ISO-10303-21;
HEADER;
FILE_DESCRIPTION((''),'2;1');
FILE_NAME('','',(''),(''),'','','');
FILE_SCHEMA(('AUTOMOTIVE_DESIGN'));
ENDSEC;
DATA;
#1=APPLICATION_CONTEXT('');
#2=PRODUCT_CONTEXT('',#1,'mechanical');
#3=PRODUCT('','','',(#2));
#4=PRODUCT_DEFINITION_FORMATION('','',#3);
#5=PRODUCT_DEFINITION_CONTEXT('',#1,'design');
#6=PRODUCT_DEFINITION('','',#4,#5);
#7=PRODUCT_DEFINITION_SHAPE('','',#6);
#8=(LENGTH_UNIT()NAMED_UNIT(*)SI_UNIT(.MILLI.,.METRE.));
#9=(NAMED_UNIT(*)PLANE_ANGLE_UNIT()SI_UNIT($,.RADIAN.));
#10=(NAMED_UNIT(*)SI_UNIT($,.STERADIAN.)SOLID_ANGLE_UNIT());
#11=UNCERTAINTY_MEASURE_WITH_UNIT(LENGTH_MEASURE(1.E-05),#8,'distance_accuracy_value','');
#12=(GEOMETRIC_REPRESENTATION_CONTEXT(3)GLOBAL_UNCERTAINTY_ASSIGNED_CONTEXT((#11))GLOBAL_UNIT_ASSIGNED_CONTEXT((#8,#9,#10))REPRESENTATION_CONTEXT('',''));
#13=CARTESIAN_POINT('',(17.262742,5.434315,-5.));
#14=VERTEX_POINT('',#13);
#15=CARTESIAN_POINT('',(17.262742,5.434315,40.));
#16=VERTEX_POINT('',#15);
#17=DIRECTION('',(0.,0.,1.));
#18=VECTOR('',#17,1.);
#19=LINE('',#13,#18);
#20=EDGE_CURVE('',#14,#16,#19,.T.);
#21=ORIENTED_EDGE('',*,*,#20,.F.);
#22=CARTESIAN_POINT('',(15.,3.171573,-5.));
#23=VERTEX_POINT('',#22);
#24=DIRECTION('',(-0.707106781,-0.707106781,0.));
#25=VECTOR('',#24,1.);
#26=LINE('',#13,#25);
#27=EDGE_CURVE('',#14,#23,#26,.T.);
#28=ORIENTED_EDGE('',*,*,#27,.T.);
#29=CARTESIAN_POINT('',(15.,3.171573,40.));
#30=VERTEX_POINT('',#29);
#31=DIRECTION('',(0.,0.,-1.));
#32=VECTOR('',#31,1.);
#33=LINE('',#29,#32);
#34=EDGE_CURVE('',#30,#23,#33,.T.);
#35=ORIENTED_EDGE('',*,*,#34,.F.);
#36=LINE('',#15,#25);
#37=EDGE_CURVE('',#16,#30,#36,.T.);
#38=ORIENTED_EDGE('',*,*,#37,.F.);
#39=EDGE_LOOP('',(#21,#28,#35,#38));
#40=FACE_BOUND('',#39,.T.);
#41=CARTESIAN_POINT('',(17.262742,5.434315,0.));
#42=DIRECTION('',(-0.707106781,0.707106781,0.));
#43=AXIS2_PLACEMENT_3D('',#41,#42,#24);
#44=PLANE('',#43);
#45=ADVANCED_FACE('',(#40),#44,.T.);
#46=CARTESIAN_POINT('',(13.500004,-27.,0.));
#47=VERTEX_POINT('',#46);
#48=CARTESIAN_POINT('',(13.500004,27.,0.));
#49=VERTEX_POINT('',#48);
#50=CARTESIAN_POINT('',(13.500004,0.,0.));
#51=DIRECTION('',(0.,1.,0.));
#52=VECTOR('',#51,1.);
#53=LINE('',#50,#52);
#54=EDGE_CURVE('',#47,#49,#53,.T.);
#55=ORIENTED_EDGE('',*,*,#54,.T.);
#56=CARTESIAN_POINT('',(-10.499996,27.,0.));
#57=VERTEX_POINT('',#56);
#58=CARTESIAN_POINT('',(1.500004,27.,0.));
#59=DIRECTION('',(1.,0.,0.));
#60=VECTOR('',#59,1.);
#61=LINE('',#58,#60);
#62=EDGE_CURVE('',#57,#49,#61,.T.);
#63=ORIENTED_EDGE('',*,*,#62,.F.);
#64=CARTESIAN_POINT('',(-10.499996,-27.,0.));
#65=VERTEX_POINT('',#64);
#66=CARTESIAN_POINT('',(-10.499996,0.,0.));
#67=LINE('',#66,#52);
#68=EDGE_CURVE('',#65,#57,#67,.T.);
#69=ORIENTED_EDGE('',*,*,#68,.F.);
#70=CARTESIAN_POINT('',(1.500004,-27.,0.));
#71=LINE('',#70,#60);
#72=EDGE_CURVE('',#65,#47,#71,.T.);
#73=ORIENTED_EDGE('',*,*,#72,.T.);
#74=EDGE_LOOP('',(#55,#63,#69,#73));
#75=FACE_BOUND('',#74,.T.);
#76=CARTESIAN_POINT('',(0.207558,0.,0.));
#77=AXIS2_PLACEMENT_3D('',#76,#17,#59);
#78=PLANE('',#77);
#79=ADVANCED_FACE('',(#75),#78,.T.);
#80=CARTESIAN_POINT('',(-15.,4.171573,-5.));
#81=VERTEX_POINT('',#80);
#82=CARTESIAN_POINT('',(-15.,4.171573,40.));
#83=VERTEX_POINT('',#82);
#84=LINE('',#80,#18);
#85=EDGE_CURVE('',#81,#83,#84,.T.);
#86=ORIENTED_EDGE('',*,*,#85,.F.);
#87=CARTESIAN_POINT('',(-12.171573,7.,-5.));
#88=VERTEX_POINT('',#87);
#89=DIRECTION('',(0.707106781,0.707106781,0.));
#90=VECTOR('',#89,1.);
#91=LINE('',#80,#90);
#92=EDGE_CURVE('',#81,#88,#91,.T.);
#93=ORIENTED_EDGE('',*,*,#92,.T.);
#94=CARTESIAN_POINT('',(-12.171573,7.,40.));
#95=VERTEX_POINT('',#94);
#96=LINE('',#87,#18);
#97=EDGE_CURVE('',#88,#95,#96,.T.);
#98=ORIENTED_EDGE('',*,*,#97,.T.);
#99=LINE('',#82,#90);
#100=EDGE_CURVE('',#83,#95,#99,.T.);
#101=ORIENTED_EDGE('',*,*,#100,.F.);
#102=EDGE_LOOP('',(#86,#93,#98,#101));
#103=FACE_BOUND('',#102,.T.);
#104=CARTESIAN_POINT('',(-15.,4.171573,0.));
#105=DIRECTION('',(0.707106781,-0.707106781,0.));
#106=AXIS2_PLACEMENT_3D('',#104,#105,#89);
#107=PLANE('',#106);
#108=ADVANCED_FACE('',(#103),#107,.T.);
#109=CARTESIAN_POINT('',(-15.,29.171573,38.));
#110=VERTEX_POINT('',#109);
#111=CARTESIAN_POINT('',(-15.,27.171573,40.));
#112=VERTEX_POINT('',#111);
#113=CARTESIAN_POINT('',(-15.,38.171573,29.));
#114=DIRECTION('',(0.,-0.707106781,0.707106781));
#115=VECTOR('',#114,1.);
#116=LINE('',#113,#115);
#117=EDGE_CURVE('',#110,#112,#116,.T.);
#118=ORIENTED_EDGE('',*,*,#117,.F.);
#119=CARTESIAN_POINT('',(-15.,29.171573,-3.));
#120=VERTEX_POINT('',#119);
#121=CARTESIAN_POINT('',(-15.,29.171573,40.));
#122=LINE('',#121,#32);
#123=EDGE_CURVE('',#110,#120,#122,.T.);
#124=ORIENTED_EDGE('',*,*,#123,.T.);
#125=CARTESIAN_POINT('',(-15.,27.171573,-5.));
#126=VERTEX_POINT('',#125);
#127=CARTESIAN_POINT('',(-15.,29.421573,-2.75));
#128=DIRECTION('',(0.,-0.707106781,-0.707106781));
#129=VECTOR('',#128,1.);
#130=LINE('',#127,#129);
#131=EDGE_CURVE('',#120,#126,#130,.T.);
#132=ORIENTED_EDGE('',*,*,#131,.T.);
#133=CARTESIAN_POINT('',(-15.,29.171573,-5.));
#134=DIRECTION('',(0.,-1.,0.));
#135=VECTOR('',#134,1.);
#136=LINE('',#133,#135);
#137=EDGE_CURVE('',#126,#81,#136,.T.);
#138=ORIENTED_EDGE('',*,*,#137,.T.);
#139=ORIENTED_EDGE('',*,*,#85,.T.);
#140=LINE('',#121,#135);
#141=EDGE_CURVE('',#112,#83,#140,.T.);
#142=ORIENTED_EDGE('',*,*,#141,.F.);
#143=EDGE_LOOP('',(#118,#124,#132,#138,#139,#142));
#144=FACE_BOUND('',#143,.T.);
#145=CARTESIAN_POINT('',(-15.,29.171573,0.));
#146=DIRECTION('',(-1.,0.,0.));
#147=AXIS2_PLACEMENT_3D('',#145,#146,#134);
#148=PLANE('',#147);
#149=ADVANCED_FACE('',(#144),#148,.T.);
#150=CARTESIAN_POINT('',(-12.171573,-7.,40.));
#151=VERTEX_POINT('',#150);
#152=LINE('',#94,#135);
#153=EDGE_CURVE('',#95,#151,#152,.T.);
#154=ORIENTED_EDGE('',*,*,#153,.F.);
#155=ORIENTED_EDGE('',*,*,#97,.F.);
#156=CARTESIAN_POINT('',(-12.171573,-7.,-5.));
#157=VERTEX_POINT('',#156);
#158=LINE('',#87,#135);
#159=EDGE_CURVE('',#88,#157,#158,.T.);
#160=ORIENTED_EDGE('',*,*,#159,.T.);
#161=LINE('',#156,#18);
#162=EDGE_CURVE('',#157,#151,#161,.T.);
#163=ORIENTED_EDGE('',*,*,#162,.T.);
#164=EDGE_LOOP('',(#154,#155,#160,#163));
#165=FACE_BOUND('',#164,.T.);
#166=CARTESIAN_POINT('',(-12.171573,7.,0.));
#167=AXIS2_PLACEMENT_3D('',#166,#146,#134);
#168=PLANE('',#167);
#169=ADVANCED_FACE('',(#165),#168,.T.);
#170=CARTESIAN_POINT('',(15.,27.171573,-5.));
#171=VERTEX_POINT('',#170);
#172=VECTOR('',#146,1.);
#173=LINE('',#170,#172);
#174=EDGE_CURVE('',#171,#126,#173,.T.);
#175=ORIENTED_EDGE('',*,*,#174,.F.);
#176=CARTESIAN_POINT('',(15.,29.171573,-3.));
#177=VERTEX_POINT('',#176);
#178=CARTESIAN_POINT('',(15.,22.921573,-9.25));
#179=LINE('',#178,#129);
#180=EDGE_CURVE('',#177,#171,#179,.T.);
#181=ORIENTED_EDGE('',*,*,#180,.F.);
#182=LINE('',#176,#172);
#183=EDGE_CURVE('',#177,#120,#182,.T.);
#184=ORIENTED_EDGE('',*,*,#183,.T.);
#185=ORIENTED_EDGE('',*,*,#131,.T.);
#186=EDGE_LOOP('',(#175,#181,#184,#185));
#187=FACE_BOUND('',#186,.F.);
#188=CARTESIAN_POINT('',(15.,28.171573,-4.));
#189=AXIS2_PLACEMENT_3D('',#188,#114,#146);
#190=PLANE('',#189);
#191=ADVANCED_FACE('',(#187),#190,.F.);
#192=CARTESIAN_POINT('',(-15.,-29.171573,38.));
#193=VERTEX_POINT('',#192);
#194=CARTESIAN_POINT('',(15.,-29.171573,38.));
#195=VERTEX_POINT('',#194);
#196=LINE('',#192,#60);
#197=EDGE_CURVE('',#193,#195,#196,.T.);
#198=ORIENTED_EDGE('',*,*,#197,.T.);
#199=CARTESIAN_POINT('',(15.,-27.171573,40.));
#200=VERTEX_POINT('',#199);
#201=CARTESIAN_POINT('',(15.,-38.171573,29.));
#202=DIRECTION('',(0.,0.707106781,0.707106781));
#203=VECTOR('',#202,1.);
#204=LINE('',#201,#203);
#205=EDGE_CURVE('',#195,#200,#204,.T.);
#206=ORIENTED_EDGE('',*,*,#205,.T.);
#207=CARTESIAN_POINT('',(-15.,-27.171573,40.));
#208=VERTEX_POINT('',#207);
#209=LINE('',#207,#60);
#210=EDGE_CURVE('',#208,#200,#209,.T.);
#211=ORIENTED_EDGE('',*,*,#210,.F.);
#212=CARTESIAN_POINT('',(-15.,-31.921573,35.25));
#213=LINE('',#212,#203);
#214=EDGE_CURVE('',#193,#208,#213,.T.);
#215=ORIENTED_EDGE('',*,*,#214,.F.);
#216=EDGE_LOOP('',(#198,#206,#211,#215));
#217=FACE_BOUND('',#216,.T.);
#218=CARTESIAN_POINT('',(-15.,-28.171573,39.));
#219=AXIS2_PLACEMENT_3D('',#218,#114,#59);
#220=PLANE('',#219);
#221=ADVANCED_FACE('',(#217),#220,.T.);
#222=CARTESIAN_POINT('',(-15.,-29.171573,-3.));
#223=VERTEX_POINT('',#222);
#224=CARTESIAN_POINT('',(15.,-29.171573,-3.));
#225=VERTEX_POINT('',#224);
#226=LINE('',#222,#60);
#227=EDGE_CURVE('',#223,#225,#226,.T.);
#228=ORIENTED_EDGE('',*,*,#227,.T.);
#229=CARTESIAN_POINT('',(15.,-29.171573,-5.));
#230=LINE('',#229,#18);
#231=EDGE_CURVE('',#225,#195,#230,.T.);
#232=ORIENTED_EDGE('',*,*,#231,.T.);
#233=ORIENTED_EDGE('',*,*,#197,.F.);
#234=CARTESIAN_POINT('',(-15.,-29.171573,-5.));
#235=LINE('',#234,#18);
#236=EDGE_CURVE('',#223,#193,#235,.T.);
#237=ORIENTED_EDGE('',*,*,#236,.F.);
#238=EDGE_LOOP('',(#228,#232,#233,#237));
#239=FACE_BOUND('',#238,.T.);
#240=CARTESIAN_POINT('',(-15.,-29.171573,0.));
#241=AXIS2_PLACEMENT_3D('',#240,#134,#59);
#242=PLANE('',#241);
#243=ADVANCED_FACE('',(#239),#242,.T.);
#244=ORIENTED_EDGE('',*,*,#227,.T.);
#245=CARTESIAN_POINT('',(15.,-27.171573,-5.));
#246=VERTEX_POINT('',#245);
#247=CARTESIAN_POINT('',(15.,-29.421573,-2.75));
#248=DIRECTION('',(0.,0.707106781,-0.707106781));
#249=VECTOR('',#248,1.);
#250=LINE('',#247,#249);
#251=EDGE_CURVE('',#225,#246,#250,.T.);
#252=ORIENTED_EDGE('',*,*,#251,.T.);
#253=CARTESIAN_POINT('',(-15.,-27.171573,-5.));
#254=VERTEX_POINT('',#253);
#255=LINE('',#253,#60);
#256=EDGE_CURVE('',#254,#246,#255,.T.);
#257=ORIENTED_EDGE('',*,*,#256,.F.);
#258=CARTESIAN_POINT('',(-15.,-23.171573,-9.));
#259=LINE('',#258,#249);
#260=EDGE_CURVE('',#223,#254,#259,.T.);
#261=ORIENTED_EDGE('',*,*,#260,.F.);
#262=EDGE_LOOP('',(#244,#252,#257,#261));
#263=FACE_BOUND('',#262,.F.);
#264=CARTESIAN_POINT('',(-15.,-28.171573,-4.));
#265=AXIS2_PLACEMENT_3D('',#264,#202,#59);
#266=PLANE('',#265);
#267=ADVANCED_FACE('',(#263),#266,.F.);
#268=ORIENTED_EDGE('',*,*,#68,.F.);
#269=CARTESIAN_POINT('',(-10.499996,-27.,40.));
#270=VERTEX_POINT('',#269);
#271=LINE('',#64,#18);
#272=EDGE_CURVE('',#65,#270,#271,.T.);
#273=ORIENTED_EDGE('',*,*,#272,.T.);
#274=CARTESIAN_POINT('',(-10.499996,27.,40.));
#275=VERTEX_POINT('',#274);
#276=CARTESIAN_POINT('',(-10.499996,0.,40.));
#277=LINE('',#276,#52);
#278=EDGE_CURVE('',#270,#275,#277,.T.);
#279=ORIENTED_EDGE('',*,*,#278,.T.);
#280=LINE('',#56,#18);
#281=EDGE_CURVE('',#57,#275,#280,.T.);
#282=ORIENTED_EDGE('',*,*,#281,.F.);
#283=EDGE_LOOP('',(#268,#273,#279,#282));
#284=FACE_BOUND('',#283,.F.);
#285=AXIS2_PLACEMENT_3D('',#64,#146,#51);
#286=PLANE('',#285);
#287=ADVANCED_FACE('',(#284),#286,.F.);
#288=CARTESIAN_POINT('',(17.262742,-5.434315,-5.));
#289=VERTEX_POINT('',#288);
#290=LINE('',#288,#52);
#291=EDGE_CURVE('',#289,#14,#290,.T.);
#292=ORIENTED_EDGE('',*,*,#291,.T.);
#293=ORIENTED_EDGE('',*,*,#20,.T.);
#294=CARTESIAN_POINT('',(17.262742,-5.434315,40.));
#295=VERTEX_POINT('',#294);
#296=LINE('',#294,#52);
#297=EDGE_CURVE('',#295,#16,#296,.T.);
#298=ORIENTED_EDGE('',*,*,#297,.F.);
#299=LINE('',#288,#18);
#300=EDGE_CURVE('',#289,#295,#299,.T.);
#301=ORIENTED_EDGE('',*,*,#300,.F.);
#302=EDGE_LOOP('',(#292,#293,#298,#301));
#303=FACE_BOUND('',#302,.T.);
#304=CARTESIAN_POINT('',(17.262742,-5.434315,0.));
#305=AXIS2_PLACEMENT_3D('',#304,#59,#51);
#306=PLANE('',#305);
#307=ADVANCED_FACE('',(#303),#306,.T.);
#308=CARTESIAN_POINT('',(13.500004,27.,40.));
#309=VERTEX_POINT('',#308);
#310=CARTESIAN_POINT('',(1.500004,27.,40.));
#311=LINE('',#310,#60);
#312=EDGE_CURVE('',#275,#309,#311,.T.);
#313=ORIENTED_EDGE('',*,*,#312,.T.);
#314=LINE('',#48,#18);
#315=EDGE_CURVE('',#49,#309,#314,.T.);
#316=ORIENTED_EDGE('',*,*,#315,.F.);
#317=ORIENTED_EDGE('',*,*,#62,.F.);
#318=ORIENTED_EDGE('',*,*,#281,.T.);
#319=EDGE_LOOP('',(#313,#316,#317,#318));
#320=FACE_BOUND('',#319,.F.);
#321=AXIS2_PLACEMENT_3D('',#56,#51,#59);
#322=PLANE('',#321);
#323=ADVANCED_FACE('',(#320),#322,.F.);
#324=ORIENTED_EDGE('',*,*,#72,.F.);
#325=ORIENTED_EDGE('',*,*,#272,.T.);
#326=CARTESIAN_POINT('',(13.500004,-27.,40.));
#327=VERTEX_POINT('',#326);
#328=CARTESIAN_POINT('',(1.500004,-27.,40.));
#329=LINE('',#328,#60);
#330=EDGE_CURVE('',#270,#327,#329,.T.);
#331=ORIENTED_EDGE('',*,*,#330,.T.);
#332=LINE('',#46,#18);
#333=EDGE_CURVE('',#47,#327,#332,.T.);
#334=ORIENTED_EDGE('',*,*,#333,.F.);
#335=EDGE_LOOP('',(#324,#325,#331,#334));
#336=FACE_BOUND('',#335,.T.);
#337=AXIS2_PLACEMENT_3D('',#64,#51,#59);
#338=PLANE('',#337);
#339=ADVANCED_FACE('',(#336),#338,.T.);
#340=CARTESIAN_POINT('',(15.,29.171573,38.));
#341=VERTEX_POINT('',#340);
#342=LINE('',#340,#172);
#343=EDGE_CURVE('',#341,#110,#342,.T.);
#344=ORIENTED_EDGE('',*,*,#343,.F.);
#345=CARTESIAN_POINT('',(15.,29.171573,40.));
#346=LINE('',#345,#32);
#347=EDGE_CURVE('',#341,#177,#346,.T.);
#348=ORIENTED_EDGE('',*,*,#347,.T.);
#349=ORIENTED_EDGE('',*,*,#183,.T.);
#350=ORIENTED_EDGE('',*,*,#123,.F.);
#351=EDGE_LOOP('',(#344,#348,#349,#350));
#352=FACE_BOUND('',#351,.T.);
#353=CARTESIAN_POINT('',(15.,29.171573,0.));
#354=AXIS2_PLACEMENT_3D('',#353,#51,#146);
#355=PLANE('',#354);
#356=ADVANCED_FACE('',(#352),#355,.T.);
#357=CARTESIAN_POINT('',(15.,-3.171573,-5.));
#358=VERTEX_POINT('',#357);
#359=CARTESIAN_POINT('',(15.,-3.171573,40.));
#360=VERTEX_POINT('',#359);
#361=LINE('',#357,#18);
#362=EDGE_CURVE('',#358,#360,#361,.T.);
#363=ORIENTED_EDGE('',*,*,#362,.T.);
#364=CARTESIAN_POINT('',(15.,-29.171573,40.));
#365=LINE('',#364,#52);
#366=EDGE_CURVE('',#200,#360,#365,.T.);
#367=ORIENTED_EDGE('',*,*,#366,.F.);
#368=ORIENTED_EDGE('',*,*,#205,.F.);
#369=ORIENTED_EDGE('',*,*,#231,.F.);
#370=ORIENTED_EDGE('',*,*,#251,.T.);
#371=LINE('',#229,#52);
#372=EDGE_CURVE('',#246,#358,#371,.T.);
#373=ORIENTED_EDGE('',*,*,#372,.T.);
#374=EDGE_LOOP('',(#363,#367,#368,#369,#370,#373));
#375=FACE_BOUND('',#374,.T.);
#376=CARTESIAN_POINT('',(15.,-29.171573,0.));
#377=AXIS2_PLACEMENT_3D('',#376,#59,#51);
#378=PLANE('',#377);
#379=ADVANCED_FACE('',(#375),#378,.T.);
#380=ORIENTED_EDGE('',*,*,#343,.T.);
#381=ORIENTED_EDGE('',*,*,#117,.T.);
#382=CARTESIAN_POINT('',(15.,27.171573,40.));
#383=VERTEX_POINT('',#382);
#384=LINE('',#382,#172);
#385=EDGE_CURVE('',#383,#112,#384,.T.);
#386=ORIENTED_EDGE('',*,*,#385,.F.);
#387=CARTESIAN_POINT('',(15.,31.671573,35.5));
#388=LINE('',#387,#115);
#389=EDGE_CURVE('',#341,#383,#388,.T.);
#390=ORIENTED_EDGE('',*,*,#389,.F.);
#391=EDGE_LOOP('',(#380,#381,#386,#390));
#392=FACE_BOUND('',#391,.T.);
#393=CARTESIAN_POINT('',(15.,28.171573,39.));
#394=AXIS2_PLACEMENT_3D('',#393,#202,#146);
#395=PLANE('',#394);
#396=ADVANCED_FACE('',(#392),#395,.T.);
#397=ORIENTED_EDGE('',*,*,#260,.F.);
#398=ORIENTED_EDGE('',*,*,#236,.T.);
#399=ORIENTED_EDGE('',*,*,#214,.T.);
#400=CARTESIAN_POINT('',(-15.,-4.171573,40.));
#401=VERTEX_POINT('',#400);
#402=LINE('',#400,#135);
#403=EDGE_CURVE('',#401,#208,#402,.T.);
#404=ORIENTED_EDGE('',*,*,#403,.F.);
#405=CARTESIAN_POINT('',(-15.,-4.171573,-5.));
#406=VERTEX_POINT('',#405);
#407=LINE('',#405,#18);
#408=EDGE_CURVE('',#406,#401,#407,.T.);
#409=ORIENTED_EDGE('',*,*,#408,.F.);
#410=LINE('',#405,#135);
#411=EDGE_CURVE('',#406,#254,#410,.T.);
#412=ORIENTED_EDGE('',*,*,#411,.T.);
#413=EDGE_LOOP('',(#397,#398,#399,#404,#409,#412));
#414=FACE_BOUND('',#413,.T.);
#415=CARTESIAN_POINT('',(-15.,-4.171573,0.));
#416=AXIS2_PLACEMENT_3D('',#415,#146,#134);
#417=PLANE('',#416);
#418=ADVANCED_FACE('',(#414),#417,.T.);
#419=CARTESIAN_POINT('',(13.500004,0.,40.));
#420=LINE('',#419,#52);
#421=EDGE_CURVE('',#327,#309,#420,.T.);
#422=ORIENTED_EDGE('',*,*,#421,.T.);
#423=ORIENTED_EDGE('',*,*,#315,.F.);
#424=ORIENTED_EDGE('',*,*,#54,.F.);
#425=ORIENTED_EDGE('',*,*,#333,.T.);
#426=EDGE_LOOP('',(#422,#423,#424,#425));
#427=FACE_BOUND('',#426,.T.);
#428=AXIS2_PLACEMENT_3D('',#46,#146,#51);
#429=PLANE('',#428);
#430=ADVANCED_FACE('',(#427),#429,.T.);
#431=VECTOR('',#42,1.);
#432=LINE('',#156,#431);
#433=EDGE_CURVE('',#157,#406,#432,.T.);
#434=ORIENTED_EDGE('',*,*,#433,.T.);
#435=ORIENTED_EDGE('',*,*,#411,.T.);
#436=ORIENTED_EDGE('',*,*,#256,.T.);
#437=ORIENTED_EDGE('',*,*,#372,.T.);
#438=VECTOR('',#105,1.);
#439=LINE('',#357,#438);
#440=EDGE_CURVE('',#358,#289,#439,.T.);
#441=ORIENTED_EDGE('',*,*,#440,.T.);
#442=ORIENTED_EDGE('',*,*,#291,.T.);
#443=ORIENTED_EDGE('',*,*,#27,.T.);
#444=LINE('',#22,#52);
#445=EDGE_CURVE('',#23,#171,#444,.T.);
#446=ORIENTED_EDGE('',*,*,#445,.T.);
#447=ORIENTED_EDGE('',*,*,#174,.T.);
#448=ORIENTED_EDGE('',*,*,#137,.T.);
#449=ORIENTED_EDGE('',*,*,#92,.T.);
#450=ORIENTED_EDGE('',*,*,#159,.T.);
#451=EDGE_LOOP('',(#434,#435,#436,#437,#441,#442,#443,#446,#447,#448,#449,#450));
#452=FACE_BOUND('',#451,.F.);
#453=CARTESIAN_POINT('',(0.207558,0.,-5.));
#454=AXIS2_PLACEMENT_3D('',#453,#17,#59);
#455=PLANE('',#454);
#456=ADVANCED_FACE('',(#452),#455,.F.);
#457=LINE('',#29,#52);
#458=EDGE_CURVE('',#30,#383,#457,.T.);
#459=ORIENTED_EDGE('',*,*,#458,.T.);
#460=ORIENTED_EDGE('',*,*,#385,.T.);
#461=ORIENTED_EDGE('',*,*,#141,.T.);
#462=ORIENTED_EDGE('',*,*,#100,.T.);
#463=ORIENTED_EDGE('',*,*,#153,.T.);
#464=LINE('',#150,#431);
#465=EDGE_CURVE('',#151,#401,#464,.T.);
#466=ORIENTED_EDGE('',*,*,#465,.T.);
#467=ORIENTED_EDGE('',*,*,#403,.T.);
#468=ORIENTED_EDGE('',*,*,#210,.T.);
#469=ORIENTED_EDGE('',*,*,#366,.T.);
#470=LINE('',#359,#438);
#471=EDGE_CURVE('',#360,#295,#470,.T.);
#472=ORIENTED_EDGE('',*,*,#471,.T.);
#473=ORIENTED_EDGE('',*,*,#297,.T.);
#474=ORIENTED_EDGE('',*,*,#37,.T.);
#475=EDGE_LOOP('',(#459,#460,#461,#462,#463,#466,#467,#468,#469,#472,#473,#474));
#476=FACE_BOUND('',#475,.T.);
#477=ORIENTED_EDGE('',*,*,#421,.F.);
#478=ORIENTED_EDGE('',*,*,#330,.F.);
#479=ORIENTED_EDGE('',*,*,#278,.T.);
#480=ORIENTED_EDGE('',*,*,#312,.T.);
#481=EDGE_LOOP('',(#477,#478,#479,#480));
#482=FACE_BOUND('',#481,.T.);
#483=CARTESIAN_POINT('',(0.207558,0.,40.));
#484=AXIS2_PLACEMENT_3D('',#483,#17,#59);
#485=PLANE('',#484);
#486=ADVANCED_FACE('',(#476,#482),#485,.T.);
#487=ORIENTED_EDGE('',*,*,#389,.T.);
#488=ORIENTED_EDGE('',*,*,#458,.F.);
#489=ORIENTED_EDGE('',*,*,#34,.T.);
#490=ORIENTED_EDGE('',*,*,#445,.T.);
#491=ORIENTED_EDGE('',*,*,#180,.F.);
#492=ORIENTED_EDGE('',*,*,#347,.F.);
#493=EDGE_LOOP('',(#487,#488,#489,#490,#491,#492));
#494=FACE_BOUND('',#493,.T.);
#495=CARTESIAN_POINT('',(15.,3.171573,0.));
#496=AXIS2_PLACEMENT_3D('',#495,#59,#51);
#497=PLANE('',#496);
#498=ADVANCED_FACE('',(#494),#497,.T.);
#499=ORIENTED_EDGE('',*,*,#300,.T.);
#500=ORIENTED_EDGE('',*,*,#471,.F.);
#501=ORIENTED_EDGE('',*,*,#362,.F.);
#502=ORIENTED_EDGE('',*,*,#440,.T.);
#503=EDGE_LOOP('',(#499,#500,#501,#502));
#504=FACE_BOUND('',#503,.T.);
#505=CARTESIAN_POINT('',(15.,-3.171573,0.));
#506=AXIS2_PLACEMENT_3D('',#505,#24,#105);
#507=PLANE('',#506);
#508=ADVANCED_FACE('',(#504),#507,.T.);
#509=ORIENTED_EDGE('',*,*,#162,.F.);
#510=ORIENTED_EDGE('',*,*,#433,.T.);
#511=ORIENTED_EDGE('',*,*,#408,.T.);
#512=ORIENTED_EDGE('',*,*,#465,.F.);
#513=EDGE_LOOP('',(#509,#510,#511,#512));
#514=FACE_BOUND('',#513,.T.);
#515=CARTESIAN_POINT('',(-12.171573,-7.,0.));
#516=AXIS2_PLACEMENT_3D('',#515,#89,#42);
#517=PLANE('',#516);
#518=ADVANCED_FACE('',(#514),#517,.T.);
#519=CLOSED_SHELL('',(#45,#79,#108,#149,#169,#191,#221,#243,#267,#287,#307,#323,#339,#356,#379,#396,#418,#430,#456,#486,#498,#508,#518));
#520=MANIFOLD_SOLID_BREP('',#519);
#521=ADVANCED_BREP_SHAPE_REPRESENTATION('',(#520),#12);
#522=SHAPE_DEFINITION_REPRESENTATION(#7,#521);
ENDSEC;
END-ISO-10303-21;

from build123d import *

# Parameters (mm, degrees)
F0_W     = 24
F0_H     = 54
F1_DEPTH = 40
F2_DEPTH = 5
F3_SIZE  = 2


with BuildPart() as f1:
    # F0 (on Top) → F1 (new body)
    with BuildSketch(Plane.XY):
        Polygon((-15, 29.171573), (-15, 4.171573), (-12.171573, 7), (-12.171573, 0), (-12.171573, -7), (-15, -4.171573), (-15, -29.171573), (15, -29.171573), (15, -3.171573), (17.262742, -5.434315), (17.262742, -0.565685), (17.262742, 0.565685), (17.262742, 5.434315), (15, 3.171573), (15, 29.171573), align=None)
        with Locations((1.500004, 0)):
            Rectangle(F0_W, F0_H, mode=Mode.SUBTRACT)
    extrude(amount=F1_DEPTH)

    # F0 (on Top) → F2 (join)
    with BuildSketch(Plane.XY):
        Polygon((-15, 29.171573), (-15, 4.171573), (-12.171573, 7), (-12.171573, 0), (-12.171573, -7), (-15, -4.171573), (-15, -29.171573), (15, -29.171573), (15, -3.171573), (17.262742, -5.434315), (17.262742, -0.565685), (17.262742, 0.565685), (17.262742, 5.434315), (15, 3.171573), (15, 29.171573), align=None)
        with Locations((1.500004, 0)):
            Rectangle(F0_W, F0_H, mode=Mode.SUBTRACT)
        with Locations((1.500004, 0)):
            Rectangle(F0_W, F0_H)
    extrude(amount=-F2_DEPTH)

    # F3
    f3_edges = [f1.edges().sort_by_distance(p)[0] for p in [
        (0, -29.171573, -5),
        (0, 29.171573, -5),
        (0, -29.171573, 40),
        (0, 29.171573, 40),
    ]]
    chamfer(f3_edges, length=F3_SIZE)


solid = f1.part
